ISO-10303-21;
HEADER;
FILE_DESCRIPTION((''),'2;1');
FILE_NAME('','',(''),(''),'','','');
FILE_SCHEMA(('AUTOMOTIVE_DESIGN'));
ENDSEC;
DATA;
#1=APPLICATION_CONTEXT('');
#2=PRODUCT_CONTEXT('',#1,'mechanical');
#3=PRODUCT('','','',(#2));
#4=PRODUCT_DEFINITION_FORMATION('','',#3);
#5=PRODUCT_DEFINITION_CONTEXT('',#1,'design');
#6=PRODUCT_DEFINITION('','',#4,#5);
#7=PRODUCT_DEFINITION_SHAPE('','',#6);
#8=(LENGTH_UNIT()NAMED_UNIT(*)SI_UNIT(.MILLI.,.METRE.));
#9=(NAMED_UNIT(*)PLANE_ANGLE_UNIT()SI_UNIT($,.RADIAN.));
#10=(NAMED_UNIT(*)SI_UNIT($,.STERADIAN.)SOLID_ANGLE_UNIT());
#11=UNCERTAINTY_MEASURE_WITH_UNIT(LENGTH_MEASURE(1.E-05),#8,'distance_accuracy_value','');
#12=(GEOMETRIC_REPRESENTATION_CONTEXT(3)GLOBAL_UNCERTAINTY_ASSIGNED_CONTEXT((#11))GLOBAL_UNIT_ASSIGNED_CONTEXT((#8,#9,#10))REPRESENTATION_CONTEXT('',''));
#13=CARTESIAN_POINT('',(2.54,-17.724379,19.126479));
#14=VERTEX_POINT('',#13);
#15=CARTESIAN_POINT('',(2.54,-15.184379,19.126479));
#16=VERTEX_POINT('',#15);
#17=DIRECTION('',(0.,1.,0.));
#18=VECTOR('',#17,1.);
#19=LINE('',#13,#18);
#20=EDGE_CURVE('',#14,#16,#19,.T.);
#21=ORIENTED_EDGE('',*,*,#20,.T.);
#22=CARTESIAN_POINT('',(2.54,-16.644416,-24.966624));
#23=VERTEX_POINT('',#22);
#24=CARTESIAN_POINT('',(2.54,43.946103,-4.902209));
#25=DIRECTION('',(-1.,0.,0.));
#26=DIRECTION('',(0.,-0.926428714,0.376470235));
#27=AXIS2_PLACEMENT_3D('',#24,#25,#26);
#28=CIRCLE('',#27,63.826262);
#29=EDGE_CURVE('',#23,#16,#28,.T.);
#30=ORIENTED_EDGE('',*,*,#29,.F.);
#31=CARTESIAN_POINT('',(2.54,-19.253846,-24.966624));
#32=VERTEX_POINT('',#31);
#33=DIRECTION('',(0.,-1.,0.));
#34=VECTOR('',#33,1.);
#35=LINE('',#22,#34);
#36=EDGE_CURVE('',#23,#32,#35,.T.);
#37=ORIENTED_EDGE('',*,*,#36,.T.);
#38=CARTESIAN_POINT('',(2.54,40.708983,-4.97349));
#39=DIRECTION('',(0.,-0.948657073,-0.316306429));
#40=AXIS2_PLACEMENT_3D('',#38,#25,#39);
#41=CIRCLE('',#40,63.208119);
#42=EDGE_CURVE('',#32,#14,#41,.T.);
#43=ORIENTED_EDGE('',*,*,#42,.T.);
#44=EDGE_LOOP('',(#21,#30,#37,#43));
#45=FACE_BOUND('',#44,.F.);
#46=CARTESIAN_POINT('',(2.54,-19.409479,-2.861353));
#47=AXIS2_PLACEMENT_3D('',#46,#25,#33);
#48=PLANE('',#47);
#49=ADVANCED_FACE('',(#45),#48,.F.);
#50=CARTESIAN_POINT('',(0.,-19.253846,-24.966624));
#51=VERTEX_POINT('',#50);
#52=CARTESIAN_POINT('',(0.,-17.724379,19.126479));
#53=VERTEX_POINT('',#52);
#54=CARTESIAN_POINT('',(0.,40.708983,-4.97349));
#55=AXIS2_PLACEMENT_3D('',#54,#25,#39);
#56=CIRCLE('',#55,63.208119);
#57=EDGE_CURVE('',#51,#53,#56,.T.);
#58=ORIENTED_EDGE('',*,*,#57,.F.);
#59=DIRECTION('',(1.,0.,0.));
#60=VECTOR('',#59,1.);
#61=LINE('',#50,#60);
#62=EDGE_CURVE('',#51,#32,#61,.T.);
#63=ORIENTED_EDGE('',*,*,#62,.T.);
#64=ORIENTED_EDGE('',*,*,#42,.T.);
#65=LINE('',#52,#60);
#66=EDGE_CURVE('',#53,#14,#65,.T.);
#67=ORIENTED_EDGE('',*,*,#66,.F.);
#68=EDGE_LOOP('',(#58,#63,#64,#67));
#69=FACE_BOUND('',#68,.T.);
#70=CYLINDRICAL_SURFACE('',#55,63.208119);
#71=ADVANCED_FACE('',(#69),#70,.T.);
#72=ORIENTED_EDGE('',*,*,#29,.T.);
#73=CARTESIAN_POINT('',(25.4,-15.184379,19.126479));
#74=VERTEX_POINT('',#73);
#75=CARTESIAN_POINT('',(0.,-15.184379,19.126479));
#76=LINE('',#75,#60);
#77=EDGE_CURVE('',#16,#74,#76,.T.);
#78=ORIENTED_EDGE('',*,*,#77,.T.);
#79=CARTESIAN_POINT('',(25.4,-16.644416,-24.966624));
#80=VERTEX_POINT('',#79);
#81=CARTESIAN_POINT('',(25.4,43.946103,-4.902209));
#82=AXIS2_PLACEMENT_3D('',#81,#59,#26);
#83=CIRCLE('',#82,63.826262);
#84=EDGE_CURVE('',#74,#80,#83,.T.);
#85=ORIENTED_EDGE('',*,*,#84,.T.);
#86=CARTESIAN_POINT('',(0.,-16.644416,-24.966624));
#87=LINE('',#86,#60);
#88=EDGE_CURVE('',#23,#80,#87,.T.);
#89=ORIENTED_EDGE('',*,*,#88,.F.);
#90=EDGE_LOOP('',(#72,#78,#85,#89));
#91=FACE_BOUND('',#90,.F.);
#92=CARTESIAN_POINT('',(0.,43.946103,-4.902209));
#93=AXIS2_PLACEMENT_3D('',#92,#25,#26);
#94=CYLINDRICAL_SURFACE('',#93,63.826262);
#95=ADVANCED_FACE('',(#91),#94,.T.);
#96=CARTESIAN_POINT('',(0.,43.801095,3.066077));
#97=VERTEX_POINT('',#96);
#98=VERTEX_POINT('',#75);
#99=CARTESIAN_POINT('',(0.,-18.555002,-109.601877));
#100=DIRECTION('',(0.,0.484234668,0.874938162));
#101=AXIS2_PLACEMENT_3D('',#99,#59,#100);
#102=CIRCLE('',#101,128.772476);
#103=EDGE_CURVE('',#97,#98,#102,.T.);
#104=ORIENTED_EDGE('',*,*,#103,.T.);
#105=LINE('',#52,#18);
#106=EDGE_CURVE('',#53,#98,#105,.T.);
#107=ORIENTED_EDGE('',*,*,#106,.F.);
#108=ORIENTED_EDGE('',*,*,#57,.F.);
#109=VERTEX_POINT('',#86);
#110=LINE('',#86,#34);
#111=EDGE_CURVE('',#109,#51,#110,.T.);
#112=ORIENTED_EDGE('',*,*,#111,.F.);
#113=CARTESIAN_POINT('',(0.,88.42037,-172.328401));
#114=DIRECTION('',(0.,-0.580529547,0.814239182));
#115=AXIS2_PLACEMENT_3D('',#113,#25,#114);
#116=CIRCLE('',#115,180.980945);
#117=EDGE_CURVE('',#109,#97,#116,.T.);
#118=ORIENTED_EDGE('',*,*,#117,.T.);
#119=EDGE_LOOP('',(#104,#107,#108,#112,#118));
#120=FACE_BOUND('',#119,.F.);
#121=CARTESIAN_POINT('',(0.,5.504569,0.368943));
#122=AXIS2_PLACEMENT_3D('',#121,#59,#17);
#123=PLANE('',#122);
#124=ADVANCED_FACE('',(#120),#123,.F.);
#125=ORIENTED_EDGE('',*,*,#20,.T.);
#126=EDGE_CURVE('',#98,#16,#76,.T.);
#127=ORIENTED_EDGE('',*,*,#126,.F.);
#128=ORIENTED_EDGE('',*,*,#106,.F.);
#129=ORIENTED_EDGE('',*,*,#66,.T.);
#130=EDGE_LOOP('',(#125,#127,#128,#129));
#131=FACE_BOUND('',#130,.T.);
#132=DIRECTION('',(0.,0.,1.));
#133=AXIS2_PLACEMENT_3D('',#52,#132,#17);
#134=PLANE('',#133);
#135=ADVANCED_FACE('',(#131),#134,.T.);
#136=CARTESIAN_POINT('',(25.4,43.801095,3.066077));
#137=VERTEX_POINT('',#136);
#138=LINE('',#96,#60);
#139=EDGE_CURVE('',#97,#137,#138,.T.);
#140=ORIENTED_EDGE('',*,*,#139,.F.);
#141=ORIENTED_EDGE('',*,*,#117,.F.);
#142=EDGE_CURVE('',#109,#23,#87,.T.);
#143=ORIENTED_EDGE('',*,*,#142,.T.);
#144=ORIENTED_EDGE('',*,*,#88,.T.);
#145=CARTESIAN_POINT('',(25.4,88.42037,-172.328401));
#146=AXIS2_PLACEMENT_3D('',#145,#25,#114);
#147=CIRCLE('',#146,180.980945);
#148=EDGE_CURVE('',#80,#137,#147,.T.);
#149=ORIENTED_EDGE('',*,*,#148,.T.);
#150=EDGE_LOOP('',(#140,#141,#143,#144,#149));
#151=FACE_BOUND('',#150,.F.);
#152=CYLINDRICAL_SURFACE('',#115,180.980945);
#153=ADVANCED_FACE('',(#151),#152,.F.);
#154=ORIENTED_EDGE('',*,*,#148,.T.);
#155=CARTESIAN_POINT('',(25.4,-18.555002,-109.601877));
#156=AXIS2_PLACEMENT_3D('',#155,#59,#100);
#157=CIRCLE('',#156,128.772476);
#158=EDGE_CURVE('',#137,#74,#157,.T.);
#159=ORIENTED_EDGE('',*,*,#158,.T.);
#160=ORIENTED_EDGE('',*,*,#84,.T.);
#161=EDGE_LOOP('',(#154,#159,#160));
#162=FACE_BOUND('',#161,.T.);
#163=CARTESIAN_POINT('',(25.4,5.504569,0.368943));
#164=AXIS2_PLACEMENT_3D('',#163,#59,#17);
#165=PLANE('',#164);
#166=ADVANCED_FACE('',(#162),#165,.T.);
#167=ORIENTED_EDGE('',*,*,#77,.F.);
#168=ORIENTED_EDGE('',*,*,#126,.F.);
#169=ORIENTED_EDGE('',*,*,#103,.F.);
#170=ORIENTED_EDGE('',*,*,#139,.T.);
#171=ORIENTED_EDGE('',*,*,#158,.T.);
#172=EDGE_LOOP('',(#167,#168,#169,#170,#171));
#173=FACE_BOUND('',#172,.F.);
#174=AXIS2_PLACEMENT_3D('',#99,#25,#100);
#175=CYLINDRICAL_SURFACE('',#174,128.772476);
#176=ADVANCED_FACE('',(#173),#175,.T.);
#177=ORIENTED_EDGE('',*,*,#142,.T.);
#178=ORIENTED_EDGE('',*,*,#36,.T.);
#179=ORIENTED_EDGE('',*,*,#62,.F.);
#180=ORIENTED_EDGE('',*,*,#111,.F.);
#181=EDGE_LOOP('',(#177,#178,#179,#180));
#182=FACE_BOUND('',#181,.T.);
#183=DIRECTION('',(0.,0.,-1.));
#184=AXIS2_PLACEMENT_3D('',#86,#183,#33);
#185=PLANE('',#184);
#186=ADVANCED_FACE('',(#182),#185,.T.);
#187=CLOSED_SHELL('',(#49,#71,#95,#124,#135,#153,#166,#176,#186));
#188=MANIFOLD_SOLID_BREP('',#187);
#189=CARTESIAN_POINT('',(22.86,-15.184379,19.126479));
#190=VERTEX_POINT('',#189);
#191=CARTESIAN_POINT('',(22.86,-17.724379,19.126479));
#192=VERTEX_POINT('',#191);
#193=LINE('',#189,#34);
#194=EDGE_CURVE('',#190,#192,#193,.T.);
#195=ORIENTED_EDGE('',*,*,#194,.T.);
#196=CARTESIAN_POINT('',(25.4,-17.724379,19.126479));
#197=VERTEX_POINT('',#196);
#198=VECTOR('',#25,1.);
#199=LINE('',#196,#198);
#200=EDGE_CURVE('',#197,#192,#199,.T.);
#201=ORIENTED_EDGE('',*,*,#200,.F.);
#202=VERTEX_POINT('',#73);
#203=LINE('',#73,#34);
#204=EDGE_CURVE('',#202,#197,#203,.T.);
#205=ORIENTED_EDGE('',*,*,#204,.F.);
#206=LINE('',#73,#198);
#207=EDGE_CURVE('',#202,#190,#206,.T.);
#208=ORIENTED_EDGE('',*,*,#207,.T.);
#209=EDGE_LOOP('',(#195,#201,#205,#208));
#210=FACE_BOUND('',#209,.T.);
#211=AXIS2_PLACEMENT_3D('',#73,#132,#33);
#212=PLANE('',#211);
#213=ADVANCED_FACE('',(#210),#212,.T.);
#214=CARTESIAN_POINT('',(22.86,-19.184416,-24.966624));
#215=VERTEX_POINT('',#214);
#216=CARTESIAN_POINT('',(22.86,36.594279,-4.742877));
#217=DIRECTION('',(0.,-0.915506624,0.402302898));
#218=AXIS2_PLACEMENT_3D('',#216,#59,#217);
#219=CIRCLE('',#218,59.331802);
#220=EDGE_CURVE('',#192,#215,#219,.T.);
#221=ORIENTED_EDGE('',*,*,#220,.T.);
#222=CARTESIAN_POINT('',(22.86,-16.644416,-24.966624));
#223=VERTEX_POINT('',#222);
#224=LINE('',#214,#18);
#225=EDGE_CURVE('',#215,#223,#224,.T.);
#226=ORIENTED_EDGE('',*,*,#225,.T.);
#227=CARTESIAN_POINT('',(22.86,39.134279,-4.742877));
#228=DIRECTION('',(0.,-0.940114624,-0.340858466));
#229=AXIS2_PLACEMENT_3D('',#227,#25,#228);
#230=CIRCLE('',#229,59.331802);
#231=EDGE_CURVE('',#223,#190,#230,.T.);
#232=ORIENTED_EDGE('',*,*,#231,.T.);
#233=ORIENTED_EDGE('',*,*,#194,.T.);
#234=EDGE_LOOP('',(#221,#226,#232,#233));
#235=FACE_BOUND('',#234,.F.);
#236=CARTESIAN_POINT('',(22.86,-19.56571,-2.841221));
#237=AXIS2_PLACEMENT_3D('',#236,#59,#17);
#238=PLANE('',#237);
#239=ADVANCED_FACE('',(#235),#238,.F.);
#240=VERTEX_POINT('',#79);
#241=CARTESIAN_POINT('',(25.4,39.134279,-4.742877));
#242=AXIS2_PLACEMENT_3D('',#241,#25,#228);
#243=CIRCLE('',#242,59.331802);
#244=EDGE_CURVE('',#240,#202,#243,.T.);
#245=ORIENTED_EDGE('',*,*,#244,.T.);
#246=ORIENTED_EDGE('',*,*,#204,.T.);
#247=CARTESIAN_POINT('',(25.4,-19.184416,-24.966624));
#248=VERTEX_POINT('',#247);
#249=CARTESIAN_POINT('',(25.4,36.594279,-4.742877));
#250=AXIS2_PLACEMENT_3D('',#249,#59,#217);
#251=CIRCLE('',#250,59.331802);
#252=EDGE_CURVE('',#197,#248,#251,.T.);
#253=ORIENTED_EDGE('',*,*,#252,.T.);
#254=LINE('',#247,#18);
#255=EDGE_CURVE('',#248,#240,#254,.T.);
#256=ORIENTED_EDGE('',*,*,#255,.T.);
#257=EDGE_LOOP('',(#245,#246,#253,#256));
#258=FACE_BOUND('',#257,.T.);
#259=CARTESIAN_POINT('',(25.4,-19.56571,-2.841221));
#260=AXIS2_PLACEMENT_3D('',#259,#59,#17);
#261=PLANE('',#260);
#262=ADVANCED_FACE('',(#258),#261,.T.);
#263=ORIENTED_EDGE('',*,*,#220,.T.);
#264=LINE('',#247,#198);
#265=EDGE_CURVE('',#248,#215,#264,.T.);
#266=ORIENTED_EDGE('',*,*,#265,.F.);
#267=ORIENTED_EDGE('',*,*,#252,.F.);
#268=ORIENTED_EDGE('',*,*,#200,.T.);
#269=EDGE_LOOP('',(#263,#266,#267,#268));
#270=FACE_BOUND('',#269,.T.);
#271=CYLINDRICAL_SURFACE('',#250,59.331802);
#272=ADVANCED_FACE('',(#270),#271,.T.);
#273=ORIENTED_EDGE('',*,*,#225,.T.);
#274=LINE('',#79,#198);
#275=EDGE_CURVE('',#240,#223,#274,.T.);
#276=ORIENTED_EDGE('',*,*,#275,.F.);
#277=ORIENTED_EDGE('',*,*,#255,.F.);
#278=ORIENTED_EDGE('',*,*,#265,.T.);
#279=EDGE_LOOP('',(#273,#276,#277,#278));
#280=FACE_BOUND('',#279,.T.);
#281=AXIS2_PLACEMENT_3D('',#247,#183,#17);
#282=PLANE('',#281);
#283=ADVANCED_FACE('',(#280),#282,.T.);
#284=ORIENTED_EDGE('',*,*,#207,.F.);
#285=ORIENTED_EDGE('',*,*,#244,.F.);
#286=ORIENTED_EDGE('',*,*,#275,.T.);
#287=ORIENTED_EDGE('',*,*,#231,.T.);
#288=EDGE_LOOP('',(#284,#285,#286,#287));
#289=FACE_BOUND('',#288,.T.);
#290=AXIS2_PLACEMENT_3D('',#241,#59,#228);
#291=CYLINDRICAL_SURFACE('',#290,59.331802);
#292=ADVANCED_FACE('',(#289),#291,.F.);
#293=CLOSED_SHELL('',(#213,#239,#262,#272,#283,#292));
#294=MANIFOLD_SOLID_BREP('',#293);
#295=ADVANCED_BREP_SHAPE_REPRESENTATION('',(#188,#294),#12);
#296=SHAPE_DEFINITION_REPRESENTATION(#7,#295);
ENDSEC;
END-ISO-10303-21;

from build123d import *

# Parameters (mm, degrees)
F1_DEPTH = 25.4
F3_DEPTH = 2.54
F5_DEPTH = 2.54


with BuildPart() as f1:
    # F0 (on Right) → F1 (new body)
    with BuildSketch(Plane.YZ):
        with BuildLine():
            ThreePointArc((-16.644416, -24.966624), (12.277165, -8.144617), (43.801095, 3.066077))
            ThreePointArc((43.801095, 3.066077), (15.275229, 14.647333), (-15.184379, 19.126479))
            ThreePointArc((-15.184379, 19.126479), (-19.845197, -2.789914), (-16.644416, -24.966624))
        make_face()
    extrude(amount=F1_DEPTH)

    # F4 (on face) → F5 (join)
    with BuildSketch(Plane(origin=(0, 0, 0), x_dir=(0, -1, 0), z_dir=(-1, 0, 0))):
        with BuildLine():
            ThreePointArc((15.184379, 19.126479), (19.826138, -2.790545), (16.644416, -24.966624))
            Line((16.644416, -24.966624), (19.253846, -24.966624))
            ThreePointArc((19.253846, -24.966624), (22.461144, -2.782294), (17.724379, 19.126479))
            Line((17.724379, 19.126479), (15.184379, 19.126479))
        make_face()
    extrude(amount=-F5_DEPTH)


with BuildPart() as f3:
    # F2 (on face) → F3 (new body)
    with BuildSketch(Plane.YZ.offset(25.4)):
        with BuildLine():
            ThreePointArc((-16.644416, -24.966624), (-20.165023, -2.779323), (-15.184379, 19.126479))
            Line((-15.184379, 19.126479), (-17.724379, 19.126479))
            ThreePointArc((-17.724379, 19.126479), (-22.705023, -2.779323), (-19.184416, -24.966624))
            Line((-19.184416, -24.966624), (-16.644416, -24.966624))
        make_face()
    extrude(amount=-F3_DEPTH)


solid = Compound([f1.part, f3.part])
